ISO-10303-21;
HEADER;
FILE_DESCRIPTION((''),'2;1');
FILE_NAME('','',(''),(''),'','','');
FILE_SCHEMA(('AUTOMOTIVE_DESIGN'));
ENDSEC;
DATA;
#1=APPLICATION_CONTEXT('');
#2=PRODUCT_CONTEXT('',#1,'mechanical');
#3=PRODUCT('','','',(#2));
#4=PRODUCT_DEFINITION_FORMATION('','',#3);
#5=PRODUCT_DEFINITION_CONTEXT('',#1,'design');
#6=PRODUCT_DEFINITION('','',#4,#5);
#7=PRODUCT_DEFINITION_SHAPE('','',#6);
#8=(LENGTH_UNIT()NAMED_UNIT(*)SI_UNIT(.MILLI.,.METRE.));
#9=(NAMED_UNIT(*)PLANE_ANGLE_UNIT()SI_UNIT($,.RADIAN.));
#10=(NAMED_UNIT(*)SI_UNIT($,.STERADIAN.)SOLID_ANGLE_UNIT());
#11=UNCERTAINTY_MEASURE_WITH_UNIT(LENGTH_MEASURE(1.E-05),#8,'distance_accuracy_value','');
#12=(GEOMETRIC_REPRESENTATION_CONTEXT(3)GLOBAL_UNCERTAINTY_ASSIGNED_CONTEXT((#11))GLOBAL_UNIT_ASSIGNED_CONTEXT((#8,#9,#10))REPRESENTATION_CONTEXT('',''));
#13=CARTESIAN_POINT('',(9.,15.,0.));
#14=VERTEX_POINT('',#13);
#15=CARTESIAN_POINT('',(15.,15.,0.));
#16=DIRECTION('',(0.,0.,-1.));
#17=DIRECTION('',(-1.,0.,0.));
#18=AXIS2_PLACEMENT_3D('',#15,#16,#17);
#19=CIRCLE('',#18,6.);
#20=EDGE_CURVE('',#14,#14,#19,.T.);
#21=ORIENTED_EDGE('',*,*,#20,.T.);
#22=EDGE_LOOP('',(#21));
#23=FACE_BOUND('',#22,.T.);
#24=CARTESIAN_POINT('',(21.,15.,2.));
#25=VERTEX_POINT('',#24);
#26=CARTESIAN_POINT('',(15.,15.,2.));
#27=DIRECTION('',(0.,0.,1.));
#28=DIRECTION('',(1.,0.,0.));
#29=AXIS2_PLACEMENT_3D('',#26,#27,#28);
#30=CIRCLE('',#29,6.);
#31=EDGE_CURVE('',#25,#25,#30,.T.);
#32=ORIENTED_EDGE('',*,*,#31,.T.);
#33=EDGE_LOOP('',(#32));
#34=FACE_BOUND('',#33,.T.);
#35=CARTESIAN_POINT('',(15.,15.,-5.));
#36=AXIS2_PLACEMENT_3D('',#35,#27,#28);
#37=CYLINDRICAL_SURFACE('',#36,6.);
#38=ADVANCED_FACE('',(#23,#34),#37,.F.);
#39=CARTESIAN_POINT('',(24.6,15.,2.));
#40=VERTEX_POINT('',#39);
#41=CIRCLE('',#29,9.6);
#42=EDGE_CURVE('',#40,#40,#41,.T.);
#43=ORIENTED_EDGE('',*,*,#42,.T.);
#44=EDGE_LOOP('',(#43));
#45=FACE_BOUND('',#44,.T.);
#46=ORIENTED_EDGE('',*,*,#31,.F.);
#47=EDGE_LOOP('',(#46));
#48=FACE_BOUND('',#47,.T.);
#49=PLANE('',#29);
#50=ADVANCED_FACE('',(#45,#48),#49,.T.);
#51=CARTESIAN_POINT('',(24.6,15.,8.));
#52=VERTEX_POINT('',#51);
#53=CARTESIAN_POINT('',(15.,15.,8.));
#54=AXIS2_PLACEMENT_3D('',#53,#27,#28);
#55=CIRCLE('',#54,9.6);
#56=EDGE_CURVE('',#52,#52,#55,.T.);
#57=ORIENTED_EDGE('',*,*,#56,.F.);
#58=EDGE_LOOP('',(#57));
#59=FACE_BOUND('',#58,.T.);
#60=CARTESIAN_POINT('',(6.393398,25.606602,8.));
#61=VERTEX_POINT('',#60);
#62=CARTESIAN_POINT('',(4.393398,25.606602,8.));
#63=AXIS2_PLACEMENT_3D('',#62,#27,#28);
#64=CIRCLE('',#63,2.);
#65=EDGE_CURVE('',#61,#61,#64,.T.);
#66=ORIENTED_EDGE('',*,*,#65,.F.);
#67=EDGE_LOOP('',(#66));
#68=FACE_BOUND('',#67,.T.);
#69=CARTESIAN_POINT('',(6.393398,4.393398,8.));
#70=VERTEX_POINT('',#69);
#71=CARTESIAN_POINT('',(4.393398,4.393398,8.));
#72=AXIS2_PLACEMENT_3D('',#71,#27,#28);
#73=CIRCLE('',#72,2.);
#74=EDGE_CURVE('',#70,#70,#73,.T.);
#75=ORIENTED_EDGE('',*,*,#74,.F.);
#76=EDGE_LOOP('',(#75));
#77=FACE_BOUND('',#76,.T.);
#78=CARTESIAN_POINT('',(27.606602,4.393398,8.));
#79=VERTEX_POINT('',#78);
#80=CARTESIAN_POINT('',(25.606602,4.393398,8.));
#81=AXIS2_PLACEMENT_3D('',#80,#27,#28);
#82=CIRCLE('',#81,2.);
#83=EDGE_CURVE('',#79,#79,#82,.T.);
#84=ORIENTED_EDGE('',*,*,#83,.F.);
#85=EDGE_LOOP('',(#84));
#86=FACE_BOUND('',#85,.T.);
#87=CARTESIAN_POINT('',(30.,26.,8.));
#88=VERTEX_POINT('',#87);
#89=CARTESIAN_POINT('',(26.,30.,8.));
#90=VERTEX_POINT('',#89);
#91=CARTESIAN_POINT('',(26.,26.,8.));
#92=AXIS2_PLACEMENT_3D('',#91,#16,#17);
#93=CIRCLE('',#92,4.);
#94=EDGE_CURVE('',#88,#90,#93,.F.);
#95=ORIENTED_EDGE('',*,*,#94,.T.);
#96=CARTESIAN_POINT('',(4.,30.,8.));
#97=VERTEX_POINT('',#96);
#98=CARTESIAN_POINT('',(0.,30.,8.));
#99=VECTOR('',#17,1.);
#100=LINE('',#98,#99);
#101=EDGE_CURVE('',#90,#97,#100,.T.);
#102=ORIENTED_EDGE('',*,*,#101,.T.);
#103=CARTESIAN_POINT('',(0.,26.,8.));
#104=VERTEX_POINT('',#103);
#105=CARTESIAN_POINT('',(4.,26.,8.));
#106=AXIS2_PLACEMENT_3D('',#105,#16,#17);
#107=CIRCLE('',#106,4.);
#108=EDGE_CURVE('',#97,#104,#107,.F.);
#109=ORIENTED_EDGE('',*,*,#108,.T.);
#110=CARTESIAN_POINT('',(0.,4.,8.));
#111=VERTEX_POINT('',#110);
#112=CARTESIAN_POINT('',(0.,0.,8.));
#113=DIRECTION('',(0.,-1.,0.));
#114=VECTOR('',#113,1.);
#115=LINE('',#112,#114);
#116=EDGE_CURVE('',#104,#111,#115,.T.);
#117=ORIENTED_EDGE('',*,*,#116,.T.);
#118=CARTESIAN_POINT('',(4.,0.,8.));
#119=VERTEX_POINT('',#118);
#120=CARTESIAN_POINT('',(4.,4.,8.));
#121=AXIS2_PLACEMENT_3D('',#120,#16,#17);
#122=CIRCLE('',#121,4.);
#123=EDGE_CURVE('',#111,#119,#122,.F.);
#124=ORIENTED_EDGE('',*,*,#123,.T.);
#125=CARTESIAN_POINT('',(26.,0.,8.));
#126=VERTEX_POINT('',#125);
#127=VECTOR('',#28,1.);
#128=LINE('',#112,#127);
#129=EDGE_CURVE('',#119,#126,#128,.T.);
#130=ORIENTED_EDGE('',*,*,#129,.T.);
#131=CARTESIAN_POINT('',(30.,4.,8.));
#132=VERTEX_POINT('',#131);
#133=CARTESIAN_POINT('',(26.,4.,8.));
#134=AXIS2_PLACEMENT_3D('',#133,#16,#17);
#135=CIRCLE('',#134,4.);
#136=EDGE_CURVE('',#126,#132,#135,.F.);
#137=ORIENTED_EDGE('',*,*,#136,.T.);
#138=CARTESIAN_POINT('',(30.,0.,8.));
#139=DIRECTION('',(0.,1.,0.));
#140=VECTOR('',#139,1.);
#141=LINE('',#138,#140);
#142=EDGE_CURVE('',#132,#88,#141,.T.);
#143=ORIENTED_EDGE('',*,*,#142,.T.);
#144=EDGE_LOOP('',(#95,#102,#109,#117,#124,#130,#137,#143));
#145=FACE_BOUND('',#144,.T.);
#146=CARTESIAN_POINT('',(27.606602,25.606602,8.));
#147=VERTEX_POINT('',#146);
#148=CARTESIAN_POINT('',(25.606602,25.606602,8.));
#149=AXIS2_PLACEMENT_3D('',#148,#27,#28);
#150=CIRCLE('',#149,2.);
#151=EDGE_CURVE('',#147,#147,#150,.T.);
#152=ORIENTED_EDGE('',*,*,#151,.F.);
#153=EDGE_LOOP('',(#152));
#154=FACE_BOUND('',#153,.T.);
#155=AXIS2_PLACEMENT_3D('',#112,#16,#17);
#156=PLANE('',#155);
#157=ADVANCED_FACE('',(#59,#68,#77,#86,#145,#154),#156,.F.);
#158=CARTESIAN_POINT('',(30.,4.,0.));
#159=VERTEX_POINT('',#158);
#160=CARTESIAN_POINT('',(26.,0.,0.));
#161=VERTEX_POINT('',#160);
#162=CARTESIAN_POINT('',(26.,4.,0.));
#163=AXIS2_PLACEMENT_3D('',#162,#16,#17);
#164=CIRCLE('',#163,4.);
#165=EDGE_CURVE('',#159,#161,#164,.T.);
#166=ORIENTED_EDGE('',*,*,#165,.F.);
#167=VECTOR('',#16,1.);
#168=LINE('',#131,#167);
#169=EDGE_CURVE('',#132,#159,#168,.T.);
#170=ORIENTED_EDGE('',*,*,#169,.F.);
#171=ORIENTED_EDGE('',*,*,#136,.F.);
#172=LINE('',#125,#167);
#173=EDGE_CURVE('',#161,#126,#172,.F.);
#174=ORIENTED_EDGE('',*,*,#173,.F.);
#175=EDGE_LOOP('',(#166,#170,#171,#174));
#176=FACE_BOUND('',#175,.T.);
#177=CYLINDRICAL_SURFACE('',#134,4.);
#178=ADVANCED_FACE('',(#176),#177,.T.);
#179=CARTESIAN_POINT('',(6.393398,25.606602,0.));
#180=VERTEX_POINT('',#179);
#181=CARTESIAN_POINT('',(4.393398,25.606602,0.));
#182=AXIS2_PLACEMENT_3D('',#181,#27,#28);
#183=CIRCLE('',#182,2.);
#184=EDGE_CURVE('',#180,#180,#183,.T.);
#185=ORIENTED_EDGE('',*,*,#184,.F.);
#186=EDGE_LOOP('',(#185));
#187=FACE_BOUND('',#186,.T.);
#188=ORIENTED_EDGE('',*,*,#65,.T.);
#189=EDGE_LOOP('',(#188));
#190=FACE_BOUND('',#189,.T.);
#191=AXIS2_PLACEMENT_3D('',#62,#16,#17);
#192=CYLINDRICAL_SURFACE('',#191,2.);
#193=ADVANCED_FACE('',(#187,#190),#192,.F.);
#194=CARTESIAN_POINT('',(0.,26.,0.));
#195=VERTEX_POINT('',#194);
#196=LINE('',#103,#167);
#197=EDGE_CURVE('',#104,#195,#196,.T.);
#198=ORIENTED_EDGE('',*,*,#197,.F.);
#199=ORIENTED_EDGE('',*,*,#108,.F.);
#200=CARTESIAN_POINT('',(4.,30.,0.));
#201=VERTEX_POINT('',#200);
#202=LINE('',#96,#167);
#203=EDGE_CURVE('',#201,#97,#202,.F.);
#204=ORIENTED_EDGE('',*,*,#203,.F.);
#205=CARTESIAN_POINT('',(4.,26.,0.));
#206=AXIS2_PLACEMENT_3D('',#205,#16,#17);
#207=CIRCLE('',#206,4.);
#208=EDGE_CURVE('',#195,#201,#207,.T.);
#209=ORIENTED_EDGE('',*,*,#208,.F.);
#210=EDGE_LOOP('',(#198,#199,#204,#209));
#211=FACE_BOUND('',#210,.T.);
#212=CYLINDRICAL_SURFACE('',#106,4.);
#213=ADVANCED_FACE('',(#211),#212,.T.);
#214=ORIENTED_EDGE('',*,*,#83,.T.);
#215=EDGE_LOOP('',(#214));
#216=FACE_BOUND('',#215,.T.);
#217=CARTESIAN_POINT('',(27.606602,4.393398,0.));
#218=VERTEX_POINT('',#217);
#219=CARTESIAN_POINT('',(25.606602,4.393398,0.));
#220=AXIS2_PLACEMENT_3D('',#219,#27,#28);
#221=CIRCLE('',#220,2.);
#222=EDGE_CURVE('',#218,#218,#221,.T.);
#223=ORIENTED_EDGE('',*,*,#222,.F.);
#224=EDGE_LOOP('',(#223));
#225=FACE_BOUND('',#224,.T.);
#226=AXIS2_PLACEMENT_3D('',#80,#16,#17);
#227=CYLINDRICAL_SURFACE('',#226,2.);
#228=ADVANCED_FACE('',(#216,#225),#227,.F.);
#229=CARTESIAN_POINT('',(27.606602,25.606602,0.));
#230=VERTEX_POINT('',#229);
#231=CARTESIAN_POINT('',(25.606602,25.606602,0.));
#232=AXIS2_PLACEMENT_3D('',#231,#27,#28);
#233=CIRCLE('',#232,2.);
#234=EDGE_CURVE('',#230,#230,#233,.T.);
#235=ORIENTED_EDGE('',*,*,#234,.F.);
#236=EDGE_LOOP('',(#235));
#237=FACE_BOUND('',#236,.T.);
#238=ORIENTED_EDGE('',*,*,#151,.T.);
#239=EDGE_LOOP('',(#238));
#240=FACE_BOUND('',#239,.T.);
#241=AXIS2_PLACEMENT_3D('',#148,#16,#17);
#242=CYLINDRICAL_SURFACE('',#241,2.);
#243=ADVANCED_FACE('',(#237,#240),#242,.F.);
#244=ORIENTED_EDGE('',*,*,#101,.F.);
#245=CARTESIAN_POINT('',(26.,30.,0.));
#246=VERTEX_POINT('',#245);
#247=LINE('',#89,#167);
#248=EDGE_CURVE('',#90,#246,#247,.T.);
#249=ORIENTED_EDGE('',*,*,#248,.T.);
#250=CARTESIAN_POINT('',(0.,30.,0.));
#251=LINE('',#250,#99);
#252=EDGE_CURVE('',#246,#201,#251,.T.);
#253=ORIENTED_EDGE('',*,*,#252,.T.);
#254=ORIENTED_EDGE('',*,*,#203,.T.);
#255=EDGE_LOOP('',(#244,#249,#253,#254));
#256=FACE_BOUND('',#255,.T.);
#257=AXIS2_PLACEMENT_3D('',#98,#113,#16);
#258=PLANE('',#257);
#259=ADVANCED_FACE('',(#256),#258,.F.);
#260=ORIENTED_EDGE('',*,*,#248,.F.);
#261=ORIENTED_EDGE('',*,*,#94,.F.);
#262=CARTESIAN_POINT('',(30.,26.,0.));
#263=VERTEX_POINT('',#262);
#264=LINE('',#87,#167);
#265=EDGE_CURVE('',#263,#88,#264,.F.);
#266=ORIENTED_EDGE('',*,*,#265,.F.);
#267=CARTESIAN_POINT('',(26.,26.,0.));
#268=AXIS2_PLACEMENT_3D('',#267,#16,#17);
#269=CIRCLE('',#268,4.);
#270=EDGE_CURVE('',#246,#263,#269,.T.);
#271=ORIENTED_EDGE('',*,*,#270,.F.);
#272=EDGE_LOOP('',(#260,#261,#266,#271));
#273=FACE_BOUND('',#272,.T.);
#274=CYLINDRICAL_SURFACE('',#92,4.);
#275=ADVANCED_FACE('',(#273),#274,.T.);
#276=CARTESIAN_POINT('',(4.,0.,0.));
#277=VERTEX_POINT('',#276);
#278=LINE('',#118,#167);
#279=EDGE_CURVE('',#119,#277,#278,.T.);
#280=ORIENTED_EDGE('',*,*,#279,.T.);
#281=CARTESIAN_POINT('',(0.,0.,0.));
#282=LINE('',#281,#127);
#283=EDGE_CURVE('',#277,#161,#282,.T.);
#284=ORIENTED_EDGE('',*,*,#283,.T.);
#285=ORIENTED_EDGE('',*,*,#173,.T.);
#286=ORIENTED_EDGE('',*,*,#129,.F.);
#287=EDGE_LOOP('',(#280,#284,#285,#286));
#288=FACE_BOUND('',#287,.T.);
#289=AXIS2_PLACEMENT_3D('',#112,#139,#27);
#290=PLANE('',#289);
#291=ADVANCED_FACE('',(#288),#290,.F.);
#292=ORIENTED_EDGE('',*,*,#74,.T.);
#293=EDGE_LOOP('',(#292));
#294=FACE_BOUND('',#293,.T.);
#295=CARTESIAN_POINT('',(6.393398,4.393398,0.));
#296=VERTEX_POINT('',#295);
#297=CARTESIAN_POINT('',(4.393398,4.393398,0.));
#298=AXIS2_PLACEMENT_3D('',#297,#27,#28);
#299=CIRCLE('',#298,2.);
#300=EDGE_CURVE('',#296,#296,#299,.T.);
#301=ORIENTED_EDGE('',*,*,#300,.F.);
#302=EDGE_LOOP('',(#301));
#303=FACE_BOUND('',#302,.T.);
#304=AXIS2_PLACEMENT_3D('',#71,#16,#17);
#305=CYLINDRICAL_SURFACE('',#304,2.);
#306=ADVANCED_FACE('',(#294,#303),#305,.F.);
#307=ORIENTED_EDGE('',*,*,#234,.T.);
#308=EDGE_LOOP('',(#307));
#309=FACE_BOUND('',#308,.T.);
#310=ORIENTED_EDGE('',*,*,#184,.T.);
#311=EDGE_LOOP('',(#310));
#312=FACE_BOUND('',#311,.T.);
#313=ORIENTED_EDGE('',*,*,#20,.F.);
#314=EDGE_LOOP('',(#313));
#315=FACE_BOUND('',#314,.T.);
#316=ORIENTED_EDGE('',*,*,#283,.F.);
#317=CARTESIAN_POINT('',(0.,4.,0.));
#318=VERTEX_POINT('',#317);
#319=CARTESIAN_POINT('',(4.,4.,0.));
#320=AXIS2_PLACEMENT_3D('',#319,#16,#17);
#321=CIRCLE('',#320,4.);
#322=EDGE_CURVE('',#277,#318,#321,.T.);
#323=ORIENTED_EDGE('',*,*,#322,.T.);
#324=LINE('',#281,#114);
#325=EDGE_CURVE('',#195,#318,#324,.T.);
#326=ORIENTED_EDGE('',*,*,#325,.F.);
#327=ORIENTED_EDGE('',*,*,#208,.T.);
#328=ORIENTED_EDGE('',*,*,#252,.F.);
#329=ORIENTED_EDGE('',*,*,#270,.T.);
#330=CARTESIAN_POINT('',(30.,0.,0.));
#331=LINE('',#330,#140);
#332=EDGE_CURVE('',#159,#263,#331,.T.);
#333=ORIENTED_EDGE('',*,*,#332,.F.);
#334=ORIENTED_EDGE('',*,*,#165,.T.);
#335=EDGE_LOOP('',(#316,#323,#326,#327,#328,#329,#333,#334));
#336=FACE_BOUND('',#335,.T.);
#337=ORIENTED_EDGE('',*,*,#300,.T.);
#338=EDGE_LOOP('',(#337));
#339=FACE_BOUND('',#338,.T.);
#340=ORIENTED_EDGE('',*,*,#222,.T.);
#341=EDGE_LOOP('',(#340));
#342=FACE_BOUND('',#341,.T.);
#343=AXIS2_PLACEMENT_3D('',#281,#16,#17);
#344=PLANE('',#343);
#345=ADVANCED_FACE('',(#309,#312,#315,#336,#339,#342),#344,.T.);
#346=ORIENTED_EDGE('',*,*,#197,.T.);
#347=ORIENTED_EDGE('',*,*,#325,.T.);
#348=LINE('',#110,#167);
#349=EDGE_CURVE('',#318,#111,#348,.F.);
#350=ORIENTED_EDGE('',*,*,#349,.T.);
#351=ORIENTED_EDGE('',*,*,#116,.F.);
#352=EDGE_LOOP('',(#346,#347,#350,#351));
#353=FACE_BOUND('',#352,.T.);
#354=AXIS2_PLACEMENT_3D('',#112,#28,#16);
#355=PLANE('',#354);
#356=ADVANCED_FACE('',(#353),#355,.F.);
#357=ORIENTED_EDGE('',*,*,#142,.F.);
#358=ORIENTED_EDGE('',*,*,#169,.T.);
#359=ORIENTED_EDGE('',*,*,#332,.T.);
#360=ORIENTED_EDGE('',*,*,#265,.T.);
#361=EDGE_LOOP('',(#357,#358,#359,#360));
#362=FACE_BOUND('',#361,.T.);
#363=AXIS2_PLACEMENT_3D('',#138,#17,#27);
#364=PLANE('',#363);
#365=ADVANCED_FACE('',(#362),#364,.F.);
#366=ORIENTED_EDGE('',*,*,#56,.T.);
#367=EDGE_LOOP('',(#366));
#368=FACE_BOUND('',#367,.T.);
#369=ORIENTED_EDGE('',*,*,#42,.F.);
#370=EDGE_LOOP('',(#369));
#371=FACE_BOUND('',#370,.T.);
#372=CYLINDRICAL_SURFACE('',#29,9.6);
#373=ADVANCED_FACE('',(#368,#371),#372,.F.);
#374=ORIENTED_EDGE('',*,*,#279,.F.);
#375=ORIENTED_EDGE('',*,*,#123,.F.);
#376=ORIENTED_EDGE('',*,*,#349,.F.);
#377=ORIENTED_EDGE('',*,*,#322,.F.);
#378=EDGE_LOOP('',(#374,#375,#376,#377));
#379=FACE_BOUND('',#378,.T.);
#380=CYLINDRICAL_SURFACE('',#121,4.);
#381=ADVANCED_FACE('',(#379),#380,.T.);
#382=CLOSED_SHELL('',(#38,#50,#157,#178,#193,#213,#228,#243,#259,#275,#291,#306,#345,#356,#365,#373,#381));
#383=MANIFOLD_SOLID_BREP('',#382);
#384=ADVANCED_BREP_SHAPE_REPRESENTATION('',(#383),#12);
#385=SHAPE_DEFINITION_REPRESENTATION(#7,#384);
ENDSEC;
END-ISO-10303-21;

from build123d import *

# Parameters (mm, degrees)
SKETCH1_W           = 30
SKETCH1_H           = 30
SKETCH1_R           = 2
BOSS_EXTRUDE1_DEPTH = 8
SKETCH2_R           = 9.6
CUT_EXTRUDE1_DEPTH  = 6
SKETCH3_R           = 6
CUT_EXTRUDE2_DEPTH  = 7
FILLET1_R           = 4


with BuildPart() as part:
    # Sketch1 → Boss-Extrude1 (new body)
    with BuildSketch(Plane.XY):
        with Locations((15, 15)):
            Rectangle(SKETCH1_W, SKETCH1_H)
        with Locations((25.606601718, 25.606601718)):
            Circle(SKETCH1_R, mode=Mode.SUBTRACT)
        with Locations((25.606601718, 4.393398282)):
            Circle(SKETCH1_R, mode=Mode.SUBTRACT)
        with Locations((4.393398282, 4.393398282)):
            Circle(SKETCH1_R, mode=Mode.SUBTRACT)
        with Locations((4.393398282, 25.606601718)):
            Circle(SKETCH1_R, mode=Mode.SUBTRACT)
    extrude(amount=BOSS_EXTRUDE1_DEPTH)

    # Sketch2 → Cut-Extrude1 (cut)
    with BuildSketch(Plane.XY.offset(8)):
        with Locations((15, 15)):
            Circle(SKETCH2_R)
    extrude(amount=-CUT_EXTRUDE1_DEPTH, mode=Mode.SUBTRACT)

    # Sketch3 → Cut-Extrude2 (cut)
    with BuildSketch(Plane.XY.offset(2)):
        with Locations((15, 15)):
            Circle(SKETCH3_R)
    extrude(amount=-CUT_EXTRUDE2_DEPTH, mode=Mode.SUBTRACT)

    # Fillet1
    fillet1_edges = [part.edges().sort_by_distance(p)[0] for p in [
        (0, 30, 4),
        (30, 30, 4),
        (30, 0, 4),
        (0, 0, 4),
    ]]
    fillet(fillet1_edges, radius=FILLET1_R)


solid = part.part
